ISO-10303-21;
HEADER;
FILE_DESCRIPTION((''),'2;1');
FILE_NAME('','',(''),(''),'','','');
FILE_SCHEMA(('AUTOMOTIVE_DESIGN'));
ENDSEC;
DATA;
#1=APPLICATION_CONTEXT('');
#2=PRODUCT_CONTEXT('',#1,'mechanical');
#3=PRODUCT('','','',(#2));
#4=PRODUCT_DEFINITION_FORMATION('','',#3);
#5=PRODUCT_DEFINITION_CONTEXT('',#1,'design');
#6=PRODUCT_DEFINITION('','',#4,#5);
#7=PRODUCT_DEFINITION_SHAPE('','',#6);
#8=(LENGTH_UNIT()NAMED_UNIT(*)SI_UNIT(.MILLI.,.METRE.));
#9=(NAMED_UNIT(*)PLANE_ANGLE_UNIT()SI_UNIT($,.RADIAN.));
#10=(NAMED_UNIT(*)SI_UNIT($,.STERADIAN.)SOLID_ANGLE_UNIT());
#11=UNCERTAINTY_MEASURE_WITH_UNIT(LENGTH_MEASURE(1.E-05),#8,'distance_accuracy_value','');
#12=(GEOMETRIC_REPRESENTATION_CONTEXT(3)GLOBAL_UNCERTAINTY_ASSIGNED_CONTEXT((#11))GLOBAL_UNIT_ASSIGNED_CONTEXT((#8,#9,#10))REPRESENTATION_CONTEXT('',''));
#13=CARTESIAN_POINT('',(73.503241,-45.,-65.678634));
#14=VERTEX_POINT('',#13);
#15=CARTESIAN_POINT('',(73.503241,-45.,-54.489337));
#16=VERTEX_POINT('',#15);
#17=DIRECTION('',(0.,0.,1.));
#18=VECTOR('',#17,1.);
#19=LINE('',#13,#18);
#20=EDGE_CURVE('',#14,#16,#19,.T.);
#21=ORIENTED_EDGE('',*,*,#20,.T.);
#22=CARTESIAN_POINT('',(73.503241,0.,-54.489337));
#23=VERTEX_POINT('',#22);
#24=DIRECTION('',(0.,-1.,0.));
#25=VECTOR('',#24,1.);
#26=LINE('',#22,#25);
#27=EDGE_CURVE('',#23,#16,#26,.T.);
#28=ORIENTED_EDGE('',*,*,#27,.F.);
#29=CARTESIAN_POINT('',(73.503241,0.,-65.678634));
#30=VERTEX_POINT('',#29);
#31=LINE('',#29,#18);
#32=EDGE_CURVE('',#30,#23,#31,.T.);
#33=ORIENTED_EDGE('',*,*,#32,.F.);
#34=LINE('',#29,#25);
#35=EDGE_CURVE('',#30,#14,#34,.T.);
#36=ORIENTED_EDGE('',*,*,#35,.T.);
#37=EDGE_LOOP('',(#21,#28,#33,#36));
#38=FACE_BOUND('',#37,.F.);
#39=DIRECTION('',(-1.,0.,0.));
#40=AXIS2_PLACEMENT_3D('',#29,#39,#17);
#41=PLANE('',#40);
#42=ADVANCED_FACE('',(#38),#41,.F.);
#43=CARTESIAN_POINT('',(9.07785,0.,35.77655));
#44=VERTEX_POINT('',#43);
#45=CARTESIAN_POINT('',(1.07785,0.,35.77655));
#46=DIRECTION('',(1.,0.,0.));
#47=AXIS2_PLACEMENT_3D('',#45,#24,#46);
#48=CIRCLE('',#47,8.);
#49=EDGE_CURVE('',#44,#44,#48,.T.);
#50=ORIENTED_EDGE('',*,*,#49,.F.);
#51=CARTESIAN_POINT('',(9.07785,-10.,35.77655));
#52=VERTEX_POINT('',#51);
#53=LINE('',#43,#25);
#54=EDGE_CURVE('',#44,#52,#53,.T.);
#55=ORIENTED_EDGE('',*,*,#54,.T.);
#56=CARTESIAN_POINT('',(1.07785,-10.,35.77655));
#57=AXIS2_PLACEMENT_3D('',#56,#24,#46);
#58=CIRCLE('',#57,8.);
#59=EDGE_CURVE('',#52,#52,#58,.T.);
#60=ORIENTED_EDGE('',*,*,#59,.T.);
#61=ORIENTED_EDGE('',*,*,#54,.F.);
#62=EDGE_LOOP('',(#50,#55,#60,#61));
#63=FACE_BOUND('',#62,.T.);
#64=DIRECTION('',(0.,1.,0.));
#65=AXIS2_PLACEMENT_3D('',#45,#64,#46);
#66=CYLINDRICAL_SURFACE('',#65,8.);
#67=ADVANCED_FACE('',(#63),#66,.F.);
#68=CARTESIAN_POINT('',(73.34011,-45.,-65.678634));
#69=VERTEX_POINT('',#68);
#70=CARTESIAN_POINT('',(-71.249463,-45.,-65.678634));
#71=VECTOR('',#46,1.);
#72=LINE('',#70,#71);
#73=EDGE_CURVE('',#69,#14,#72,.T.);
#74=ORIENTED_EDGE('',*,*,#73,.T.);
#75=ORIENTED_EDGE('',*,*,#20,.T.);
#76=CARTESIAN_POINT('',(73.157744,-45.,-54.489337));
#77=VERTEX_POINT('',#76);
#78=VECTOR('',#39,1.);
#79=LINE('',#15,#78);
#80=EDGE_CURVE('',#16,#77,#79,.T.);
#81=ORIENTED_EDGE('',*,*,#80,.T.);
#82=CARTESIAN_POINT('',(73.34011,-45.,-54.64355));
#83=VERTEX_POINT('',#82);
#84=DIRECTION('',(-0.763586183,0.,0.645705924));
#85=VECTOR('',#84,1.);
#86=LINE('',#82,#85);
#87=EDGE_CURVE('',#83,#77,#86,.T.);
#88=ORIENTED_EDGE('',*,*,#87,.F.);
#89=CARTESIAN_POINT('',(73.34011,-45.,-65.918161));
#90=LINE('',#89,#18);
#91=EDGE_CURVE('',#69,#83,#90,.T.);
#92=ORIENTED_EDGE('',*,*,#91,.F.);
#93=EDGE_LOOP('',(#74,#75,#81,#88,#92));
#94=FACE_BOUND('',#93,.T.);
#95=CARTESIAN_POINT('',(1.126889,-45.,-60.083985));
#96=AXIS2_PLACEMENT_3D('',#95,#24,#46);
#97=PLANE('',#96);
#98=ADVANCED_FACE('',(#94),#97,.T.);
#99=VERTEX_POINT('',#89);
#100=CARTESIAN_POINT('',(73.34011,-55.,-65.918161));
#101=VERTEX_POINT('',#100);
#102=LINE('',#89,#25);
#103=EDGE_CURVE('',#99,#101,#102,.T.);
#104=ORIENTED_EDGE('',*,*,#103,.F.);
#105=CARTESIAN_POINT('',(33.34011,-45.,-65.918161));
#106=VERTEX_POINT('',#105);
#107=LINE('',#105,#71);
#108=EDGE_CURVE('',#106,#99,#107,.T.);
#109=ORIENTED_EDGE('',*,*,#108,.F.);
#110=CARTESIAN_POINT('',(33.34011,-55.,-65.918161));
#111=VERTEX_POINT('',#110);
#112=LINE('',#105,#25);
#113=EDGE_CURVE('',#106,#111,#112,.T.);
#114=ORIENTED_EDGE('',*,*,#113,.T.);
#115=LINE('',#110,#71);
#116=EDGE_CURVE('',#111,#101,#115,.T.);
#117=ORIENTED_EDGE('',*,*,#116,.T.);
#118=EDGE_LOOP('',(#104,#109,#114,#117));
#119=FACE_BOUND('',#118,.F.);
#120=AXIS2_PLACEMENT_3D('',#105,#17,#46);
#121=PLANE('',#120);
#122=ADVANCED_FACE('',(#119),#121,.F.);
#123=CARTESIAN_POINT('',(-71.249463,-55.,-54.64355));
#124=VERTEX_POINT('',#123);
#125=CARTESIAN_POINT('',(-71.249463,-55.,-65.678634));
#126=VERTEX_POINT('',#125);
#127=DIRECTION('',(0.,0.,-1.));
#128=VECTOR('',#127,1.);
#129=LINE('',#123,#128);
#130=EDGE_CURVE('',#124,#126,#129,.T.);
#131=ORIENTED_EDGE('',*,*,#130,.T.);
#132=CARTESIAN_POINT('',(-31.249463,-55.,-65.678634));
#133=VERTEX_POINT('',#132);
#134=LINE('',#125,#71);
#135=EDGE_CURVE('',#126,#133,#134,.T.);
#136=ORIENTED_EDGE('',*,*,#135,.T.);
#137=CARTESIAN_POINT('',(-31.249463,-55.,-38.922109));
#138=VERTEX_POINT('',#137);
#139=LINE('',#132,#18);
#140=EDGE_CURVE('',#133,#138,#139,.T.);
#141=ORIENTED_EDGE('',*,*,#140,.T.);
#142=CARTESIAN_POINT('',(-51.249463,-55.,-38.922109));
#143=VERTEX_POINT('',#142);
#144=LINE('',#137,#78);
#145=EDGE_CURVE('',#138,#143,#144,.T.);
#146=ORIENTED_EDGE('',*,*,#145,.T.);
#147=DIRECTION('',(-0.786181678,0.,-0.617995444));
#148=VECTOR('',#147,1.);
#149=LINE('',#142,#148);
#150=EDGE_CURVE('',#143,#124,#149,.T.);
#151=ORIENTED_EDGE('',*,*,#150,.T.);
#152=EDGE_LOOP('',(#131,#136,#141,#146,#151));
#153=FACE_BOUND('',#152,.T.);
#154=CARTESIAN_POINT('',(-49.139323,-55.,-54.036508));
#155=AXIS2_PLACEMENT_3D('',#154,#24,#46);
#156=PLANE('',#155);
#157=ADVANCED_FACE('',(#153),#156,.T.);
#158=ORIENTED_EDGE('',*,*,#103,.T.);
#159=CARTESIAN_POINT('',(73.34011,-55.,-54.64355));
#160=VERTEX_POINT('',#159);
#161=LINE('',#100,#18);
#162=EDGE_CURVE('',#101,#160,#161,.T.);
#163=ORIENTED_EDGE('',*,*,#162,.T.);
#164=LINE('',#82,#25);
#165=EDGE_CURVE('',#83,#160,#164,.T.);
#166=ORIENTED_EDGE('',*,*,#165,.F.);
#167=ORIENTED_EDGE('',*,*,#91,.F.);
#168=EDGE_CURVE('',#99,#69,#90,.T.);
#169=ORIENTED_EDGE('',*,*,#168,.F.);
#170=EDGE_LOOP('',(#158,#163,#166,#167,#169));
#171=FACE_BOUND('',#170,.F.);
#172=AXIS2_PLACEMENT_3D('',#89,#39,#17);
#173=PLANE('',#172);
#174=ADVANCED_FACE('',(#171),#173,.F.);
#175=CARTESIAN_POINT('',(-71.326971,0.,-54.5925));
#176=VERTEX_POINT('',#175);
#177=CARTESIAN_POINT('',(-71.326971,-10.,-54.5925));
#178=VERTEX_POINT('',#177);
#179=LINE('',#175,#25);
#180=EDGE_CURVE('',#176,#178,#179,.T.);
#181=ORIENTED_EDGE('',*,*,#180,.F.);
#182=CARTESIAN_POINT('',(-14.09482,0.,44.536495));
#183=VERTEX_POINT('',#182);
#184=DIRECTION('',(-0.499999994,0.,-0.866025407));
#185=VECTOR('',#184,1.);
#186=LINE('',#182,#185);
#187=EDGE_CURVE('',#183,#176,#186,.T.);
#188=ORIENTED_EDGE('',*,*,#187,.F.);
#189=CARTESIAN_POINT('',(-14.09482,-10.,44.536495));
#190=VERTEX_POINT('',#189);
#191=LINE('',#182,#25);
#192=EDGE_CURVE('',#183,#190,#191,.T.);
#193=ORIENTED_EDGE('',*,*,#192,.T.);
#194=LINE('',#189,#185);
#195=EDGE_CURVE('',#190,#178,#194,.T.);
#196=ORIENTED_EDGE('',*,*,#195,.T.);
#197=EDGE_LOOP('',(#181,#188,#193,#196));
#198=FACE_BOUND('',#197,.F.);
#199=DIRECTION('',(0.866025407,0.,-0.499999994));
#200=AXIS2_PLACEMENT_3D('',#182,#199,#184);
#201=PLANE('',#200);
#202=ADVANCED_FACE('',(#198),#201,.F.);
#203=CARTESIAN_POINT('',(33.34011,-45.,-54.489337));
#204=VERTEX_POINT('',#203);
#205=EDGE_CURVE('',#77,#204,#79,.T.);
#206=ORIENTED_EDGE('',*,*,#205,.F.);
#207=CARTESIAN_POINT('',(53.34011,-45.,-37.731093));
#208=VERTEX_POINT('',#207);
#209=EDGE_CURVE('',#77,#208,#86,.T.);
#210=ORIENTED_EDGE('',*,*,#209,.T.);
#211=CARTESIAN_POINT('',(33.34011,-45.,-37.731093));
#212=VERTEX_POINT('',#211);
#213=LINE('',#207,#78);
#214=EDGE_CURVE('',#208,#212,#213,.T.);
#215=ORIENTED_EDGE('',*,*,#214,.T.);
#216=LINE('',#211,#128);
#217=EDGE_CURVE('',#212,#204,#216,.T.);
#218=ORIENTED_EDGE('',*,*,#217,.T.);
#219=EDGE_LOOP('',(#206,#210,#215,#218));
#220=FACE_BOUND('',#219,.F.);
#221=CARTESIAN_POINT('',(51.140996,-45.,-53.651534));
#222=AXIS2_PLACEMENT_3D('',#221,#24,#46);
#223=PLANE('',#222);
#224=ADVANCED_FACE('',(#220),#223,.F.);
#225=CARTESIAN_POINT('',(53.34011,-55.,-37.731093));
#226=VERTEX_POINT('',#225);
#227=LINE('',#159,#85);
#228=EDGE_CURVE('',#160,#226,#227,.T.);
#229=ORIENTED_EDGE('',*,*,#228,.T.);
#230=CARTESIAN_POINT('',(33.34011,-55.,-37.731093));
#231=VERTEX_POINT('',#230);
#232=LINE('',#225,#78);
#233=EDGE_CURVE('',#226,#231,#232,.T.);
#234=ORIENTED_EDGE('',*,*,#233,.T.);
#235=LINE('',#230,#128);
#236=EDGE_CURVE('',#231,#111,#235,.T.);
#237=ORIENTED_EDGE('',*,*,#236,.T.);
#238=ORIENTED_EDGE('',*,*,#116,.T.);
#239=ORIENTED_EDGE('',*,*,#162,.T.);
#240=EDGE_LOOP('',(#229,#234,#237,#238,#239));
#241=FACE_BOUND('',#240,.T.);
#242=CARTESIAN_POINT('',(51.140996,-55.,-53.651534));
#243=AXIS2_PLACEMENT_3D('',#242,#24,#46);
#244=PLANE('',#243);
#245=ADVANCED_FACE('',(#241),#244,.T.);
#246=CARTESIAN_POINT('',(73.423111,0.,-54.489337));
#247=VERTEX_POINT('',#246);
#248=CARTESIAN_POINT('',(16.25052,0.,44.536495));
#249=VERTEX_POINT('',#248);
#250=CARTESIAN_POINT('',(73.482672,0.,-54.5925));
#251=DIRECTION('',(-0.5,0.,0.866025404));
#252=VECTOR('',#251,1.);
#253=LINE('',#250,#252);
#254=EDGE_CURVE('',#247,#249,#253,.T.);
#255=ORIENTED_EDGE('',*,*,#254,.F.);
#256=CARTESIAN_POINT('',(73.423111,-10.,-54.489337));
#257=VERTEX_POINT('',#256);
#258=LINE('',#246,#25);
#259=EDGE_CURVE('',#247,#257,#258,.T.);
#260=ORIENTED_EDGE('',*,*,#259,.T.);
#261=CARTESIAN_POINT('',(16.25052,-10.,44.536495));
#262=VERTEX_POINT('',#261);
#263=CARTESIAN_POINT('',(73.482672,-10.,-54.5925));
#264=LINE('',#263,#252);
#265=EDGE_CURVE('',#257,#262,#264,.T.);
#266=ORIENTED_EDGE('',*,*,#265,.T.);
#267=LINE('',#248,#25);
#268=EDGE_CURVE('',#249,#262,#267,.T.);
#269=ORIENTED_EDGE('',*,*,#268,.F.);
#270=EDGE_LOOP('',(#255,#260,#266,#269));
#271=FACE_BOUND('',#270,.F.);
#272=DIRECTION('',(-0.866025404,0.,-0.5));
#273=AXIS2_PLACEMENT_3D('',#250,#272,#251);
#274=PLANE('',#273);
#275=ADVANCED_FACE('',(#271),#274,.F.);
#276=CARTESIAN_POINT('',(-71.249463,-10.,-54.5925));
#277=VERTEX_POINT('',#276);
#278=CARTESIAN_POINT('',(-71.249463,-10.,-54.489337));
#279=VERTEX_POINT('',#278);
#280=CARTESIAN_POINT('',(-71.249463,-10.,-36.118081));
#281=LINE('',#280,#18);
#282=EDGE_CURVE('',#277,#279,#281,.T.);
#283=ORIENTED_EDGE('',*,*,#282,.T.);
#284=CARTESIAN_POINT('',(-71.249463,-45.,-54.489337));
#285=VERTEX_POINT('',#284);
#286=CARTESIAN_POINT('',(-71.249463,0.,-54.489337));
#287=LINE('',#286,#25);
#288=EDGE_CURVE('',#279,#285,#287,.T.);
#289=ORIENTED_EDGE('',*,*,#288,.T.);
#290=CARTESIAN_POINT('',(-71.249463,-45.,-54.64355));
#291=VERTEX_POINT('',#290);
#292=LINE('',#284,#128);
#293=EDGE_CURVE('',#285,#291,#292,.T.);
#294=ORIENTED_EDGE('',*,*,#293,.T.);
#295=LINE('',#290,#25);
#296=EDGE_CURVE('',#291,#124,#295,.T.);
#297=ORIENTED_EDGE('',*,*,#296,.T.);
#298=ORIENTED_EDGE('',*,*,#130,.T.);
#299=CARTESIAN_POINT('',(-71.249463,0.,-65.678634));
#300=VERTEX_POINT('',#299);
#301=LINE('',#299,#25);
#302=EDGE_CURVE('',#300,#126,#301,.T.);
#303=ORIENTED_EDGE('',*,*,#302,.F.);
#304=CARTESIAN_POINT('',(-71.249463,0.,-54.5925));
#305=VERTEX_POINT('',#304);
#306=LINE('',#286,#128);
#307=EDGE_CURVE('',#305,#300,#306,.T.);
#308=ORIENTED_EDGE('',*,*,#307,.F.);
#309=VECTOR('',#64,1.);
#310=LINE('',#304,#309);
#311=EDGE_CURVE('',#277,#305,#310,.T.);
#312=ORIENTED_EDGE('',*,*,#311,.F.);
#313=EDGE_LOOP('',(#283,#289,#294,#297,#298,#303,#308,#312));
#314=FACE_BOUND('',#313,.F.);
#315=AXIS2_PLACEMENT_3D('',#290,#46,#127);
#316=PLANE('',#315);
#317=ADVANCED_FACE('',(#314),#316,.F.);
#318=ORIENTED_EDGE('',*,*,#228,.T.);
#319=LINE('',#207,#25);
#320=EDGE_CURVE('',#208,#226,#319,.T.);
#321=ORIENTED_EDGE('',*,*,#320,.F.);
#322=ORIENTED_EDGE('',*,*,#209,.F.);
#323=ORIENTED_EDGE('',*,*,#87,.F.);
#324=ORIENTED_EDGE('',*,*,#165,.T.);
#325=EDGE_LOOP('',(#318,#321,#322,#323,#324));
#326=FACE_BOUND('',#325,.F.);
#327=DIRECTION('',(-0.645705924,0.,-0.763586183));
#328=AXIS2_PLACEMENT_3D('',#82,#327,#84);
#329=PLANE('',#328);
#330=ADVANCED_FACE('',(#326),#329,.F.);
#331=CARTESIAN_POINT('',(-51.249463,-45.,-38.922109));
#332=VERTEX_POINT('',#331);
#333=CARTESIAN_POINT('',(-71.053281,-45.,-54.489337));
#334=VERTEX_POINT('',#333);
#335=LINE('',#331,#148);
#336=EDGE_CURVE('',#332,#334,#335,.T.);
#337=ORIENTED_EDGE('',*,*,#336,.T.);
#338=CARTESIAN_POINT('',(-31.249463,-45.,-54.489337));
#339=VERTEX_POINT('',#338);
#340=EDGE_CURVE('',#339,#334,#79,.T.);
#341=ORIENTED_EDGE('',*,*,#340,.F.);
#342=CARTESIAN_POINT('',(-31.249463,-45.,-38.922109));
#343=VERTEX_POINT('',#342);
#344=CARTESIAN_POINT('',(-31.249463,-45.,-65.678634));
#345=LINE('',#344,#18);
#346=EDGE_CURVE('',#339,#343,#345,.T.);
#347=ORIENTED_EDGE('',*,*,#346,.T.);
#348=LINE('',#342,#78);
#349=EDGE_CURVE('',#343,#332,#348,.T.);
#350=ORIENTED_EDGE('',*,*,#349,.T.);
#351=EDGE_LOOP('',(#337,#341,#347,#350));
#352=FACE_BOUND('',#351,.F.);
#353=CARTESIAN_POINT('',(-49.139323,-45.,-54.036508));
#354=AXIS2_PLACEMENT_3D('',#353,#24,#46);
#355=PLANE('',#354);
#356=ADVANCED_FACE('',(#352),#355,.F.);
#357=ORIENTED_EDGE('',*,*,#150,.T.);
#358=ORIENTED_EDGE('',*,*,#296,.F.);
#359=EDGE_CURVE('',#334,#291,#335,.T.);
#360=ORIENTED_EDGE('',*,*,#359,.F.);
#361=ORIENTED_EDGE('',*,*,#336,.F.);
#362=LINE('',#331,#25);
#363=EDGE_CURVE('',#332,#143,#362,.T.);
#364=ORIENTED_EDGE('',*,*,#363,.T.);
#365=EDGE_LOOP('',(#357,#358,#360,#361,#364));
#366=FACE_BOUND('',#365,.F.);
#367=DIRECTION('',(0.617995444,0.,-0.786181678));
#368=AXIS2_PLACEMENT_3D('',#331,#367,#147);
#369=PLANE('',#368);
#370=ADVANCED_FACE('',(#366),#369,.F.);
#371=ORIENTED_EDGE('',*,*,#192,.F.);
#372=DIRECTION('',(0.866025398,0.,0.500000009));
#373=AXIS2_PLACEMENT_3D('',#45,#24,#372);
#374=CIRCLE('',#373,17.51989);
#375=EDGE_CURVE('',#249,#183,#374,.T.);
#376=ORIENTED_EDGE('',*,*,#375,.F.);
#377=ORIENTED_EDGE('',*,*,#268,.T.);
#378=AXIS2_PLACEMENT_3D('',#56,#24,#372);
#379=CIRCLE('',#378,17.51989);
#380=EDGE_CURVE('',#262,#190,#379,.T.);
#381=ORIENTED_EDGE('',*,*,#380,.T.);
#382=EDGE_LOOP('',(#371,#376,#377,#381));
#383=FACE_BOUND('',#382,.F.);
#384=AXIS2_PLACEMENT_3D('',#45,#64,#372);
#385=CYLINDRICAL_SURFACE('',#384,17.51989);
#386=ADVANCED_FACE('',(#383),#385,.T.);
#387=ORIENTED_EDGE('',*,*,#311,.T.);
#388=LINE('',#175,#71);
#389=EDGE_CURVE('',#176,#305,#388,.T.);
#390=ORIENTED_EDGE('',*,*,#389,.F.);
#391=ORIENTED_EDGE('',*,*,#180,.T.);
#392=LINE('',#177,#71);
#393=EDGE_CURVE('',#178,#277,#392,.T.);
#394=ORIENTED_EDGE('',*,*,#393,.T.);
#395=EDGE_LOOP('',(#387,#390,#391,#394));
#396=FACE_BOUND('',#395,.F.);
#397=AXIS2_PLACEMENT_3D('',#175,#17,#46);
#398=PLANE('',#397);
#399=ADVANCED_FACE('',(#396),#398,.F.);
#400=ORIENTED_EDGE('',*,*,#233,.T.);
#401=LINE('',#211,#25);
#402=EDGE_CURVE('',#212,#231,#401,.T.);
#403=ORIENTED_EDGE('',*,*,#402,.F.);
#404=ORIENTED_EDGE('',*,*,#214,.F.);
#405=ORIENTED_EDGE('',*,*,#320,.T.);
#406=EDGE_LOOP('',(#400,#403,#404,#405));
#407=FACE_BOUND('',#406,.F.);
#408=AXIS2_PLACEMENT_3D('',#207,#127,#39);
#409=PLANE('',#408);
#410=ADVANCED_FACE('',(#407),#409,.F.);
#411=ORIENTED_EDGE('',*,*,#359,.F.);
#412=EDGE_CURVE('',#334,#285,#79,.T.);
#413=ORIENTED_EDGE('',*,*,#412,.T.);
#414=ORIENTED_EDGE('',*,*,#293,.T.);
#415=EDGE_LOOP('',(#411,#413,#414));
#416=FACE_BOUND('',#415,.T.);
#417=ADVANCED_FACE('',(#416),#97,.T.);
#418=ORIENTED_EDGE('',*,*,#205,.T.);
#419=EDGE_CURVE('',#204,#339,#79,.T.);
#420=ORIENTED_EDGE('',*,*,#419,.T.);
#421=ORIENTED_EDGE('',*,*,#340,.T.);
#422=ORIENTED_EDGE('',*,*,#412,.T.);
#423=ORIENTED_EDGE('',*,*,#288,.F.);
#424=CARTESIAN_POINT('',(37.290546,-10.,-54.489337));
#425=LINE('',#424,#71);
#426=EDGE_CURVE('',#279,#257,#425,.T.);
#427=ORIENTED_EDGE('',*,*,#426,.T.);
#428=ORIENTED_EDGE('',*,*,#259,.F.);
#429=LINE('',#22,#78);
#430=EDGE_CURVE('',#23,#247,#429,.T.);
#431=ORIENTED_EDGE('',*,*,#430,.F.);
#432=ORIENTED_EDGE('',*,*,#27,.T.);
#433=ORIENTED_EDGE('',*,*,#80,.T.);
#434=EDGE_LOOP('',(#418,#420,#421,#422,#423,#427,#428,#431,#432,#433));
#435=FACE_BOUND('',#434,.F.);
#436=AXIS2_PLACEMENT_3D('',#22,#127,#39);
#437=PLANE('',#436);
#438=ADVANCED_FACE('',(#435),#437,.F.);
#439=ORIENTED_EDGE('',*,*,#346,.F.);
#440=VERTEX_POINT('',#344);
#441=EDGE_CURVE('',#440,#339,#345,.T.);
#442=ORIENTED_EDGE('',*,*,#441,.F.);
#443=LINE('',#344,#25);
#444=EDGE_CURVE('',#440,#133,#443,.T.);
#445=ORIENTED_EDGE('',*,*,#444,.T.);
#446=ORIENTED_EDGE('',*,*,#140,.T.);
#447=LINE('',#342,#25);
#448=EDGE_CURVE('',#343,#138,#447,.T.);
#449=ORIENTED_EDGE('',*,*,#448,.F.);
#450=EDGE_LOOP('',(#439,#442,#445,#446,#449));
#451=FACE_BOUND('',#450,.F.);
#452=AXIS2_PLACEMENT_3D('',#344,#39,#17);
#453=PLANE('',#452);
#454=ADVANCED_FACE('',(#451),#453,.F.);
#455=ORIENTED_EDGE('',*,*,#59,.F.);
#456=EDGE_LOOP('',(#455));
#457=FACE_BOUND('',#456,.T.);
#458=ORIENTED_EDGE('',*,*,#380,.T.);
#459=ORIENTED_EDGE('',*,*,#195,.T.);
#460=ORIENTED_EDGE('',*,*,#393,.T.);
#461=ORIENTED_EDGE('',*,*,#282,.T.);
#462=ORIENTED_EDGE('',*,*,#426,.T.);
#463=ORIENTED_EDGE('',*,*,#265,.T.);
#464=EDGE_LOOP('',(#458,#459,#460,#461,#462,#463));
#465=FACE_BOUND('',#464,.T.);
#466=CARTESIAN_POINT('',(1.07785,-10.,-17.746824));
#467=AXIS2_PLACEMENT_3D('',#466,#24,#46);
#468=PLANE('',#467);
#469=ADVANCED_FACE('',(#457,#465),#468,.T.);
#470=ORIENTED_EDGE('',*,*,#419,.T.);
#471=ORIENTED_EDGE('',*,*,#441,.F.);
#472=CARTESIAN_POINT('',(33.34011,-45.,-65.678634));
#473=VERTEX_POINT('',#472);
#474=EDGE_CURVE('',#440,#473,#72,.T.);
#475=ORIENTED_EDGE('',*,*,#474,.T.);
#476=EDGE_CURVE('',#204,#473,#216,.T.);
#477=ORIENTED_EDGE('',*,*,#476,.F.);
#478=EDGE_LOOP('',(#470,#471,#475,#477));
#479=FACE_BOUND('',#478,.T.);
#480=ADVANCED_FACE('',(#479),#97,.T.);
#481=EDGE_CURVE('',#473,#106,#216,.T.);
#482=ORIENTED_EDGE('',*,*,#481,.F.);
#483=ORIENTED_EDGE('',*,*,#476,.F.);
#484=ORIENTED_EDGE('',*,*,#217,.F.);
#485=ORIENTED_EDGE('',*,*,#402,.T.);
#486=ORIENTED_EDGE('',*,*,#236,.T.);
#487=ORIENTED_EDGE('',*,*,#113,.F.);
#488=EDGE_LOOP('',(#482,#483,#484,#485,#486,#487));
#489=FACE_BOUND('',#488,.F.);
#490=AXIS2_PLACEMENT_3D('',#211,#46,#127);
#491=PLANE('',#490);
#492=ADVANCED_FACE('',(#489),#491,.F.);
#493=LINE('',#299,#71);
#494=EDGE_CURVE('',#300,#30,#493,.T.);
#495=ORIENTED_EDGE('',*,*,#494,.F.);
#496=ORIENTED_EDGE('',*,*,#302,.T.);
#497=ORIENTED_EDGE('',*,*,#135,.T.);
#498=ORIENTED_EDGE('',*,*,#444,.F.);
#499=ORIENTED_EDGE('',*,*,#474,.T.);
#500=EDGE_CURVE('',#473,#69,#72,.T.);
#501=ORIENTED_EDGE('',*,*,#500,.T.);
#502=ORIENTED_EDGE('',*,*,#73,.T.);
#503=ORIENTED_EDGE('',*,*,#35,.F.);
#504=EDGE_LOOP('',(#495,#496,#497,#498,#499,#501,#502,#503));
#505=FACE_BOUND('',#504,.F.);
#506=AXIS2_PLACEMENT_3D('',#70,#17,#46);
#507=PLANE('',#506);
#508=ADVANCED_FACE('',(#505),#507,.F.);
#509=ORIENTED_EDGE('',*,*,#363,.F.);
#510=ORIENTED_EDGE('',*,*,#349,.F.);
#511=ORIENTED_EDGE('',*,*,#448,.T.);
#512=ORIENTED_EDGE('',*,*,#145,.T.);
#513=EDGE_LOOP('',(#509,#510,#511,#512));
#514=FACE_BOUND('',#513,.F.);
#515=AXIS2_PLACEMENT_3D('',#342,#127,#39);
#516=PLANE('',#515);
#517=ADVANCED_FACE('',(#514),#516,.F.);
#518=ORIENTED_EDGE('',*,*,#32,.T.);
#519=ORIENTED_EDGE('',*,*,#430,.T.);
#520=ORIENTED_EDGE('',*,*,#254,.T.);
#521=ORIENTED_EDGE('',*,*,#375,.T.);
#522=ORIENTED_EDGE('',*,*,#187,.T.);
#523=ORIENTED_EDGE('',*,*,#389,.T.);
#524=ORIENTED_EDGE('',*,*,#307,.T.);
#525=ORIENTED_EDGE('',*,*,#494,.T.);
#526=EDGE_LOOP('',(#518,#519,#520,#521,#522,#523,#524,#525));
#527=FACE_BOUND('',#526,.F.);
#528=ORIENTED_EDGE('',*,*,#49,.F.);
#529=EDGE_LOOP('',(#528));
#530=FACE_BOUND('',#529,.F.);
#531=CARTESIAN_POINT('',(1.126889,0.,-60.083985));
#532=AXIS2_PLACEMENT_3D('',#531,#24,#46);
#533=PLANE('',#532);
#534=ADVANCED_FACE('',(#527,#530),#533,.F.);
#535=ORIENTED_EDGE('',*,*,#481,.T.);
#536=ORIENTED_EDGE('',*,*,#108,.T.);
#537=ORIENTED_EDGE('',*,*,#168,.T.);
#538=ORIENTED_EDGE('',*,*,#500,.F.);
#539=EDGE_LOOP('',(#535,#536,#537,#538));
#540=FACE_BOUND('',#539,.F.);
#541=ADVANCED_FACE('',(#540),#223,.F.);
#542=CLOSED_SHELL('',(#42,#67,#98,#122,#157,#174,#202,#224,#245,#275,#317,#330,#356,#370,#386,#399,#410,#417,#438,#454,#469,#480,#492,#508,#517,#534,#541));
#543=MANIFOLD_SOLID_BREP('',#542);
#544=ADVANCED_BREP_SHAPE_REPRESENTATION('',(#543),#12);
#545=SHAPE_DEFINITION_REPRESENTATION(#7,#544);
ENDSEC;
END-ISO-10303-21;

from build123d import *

# Parameters (mm, degrees)
F0_R     = 8
F2_DEPTH = 10
F3_DEPTH = 45
F5_DEPTH = 10


with BuildPart() as f2:
    # F0 (on Front) → F2 (new body)
    with BuildSketch(Plane.XZ):
        with BuildLine():
            Line((-14.09482, 44.536495), (-71.326971, -54.5925))
            Line((-71.326971, -54.5925), (73.482672, -54.5925))
            Line((73.482672, -54.5925), (16.25052, 44.536495))
            ThreePointArc((16.25052, 44.536495), (1.07785, 53.29644), (-14.09482, 44.536495))
        make_face()
        with Locations((1.07785, 35.77655)):
            Circle(F0_R, mode=Mode.SUBTRACT)
    extrude(amount=F2_DEPTH)

    # F1 (on Front) → F3 (join)
    with BuildSketch(Plane.XZ):
        Polygon((73.503241, -54.489337), (-71.249463, -54.489337), (-71.249463, -61.854444), (-71.249463, -65.678634), (73.503241, -65.678634), (73.503241, -61.854444), align=None)
    extrude(amount=F3_DEPTH)

    # F4 (on face) → F5 (join)
    with BuildSketch(Plane.XZ.offset(45)):
        Polygon((-71.249463, -54.64355), (-71.249463, -65.678634), (-31.249463, -65.678634), (-31.249463, -38.922109), (-51.249463, -38.922109), align=None)
        Polygon((33.34011, -65.918161), (73.34011, -65.918161), (73.34011, -54.64355), (53.34011, -37.731093), (33.34011, -37.731093), align=None)
    extrude(amount=F5_DEPTH)


solid = f2.part
